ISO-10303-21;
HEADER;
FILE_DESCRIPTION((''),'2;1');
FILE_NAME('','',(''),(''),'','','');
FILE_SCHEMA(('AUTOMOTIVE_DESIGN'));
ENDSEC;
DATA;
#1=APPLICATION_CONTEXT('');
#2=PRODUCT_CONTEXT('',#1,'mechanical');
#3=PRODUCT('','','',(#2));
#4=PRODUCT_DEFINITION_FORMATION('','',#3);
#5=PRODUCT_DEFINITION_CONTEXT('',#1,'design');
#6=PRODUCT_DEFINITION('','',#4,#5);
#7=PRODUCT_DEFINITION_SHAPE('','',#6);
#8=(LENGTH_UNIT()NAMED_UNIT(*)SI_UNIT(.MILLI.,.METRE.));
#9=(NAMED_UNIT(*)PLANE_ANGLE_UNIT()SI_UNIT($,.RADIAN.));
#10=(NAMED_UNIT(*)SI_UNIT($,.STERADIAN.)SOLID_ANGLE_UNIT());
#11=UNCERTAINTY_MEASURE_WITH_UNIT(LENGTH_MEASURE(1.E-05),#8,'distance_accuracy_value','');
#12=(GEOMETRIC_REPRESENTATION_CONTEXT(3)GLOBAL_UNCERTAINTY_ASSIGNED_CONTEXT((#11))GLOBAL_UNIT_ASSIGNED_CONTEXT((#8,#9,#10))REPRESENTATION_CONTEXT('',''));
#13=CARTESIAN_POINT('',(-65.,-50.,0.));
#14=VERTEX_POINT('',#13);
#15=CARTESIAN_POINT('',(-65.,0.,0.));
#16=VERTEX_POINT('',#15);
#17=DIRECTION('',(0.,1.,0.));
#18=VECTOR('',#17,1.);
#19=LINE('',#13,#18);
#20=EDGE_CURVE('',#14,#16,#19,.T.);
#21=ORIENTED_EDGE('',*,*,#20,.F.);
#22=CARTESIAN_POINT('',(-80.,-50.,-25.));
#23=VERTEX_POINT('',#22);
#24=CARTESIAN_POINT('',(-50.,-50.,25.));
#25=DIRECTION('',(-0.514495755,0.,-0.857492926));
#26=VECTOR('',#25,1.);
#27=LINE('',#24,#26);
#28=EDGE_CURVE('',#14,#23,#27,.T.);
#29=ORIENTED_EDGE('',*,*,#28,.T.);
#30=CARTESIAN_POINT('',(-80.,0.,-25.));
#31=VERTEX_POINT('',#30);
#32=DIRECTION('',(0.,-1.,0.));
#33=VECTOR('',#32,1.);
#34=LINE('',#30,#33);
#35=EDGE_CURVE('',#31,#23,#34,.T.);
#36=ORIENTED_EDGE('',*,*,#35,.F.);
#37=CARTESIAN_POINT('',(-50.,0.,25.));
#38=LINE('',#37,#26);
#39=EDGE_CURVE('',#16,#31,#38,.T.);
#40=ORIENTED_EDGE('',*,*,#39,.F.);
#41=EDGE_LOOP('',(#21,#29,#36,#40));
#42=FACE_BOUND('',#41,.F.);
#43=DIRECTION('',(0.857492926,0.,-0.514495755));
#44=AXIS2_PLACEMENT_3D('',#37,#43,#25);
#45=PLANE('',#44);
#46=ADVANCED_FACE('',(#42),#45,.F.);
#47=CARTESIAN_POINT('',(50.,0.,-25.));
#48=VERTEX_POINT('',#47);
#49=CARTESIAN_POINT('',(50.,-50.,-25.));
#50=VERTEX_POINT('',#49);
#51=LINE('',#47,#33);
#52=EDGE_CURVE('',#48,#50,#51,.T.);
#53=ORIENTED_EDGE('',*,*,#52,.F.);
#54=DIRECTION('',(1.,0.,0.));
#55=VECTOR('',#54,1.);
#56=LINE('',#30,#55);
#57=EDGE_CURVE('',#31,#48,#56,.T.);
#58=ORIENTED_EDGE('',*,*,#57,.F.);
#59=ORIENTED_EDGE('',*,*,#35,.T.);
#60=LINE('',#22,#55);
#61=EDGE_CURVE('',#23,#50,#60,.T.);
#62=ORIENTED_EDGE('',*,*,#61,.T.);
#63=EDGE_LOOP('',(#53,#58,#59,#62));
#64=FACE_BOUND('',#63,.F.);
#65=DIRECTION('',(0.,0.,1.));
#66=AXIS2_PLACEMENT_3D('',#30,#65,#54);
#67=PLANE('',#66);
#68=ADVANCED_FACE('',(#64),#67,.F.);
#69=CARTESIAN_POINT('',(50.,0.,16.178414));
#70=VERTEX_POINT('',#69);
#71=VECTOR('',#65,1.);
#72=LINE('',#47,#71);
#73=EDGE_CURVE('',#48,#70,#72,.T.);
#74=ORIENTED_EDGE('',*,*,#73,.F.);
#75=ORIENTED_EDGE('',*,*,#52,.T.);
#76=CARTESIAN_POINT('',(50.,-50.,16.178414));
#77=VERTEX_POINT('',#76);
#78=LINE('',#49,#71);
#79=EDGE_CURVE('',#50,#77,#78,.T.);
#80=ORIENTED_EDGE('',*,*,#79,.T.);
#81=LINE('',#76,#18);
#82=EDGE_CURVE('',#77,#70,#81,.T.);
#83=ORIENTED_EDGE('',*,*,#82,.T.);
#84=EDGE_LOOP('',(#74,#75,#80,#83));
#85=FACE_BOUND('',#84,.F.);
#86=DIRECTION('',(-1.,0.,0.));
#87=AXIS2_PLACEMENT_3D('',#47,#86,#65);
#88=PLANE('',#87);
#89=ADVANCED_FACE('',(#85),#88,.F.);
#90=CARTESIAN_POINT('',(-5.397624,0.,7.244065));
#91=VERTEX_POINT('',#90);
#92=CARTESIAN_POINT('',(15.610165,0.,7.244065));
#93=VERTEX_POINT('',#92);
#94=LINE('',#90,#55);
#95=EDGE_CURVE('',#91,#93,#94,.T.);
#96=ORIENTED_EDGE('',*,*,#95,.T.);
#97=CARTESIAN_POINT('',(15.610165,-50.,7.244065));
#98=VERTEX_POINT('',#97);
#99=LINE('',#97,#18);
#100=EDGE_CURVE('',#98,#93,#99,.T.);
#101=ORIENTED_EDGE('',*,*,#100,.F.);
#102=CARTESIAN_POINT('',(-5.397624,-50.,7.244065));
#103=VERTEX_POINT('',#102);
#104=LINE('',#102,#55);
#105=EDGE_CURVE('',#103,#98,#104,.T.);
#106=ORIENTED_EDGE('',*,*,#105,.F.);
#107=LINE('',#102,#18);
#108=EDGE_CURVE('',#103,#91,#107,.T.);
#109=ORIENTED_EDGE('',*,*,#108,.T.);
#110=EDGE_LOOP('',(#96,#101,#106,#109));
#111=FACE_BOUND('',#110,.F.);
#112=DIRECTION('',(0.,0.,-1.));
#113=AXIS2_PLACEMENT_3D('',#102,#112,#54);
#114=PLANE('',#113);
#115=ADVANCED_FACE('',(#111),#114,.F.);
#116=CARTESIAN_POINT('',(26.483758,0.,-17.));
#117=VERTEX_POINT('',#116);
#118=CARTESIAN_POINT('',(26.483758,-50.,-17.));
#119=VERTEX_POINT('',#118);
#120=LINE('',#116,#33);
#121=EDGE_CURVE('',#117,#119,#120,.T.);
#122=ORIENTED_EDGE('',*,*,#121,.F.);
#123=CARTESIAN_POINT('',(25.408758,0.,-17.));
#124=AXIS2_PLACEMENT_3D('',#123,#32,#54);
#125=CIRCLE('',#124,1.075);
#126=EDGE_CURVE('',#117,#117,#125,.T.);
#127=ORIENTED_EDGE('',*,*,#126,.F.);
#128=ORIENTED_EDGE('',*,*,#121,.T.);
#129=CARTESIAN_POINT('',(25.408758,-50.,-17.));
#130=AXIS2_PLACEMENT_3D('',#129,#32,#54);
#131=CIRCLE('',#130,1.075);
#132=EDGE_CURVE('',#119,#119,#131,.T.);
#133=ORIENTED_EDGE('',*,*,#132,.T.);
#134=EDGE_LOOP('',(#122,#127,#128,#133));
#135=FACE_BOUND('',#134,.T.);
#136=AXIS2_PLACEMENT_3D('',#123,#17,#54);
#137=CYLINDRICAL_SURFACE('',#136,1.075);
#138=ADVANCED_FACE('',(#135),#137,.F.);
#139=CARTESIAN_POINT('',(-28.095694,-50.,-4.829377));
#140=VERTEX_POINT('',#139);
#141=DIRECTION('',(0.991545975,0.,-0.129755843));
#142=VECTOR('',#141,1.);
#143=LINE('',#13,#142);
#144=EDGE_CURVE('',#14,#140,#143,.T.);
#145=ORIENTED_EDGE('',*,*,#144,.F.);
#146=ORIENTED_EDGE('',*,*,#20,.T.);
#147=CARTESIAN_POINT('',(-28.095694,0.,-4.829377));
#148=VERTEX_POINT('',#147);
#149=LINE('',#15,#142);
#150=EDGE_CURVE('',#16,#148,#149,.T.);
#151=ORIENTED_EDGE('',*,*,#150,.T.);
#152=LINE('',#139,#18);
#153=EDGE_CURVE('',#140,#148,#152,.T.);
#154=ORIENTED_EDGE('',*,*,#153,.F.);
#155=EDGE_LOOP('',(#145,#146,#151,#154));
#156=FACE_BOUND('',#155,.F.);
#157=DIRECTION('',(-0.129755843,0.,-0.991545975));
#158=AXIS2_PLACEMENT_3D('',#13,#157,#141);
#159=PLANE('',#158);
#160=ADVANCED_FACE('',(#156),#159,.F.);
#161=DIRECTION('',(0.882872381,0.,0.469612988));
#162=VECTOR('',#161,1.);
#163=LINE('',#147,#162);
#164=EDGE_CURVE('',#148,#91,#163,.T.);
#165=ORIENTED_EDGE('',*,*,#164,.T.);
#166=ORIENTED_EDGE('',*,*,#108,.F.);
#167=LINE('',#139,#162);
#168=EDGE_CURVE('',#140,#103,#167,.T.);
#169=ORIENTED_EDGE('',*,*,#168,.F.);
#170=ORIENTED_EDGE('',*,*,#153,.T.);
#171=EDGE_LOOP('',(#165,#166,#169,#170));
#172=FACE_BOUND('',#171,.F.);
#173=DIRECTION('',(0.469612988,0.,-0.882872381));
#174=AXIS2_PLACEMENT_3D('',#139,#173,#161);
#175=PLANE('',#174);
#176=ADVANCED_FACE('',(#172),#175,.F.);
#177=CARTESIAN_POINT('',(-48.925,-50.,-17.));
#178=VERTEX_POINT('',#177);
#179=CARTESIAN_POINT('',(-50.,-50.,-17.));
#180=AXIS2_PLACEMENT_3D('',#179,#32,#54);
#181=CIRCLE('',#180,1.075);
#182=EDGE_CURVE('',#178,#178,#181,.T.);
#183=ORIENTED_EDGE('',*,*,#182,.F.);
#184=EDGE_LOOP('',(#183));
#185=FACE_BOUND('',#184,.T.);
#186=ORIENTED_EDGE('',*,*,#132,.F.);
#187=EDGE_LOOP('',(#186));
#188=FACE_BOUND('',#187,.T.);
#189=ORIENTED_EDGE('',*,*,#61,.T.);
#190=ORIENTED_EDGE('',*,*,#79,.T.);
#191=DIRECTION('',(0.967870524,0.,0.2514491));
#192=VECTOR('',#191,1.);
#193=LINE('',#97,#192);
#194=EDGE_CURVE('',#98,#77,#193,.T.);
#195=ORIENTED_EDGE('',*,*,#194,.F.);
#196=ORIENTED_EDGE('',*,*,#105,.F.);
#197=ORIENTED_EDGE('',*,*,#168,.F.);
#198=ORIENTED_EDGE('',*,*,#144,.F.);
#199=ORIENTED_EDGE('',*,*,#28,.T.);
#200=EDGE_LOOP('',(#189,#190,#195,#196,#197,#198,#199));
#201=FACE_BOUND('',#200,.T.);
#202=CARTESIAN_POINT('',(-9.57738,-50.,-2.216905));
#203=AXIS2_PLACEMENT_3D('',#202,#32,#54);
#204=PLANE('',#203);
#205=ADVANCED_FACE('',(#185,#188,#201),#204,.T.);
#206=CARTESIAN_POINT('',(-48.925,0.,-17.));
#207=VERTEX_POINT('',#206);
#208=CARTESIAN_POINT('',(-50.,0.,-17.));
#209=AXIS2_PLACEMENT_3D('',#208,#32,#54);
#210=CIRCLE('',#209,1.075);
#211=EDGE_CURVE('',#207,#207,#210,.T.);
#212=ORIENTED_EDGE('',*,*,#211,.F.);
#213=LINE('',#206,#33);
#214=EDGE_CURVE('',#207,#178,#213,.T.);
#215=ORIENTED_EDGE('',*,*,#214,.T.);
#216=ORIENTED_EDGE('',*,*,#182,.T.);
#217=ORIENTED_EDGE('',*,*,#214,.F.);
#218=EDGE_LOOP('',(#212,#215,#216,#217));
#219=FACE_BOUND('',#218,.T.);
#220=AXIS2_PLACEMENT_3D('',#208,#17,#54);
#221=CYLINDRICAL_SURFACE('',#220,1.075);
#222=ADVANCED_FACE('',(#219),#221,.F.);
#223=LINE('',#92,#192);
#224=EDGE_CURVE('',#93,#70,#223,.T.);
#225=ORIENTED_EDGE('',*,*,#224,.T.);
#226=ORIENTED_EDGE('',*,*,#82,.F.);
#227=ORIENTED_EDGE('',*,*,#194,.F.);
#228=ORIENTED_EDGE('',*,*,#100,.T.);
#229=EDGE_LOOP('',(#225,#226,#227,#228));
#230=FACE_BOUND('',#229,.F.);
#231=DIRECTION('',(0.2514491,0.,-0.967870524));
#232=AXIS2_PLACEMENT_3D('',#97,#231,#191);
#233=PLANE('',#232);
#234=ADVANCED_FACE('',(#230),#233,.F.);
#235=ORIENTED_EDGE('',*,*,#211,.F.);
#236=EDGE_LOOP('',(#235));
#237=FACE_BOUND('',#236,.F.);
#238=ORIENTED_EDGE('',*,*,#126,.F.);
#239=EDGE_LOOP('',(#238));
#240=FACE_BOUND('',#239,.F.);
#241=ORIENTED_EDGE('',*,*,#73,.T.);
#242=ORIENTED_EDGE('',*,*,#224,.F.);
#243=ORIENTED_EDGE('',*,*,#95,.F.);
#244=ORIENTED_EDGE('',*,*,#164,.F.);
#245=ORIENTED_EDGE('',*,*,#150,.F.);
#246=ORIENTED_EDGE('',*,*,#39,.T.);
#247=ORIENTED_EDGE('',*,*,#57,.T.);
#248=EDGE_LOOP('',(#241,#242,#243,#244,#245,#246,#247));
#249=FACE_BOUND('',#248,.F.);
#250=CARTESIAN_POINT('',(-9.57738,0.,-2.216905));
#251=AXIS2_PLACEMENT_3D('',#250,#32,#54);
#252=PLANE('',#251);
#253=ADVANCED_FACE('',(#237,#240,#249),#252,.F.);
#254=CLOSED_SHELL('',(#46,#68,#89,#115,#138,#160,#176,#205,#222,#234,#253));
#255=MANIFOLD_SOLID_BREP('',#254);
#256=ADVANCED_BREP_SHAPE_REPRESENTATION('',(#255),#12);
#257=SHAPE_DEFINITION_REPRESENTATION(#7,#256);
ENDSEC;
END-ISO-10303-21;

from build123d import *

# Parameters (mm, degrees)
F0_R     = 1.075
F1_DEPTH = 50
F3_DEPTH = 50


with BuildPart() as f1:
    # F0 (on Front) → F1 (new body)
    with BuildSketch(Plane.XZ):
        Polygon((25, -25), (50, -25), (50, 25), (-50, 25), (-80, -25), (-50, -25), align=None)
        with Locations((-50, -17)):
            Circle(F0_R, mode=Mode.SUBTRACT)
        with Locations((25.408758, -17)):
            Circle(F0_R, mode=Mode.SUBTRACT)
    extrude(amount=F1_DEPTH)

    # F2 (on face) → F3 (cut)
    with BuildSketch(Plane.XZ.offset(50)):
        Polygon((-50, 25), (-65, 0), (-28.095694, -4.829377), (-5.397624, 7.244065), (15.610165, 7.244065), (50, 16.178414), (50, 25), align=None)
    extrude(amount=-F3_DEPTH, mode=Mode.SUBTRACT)


solid = f1.part
